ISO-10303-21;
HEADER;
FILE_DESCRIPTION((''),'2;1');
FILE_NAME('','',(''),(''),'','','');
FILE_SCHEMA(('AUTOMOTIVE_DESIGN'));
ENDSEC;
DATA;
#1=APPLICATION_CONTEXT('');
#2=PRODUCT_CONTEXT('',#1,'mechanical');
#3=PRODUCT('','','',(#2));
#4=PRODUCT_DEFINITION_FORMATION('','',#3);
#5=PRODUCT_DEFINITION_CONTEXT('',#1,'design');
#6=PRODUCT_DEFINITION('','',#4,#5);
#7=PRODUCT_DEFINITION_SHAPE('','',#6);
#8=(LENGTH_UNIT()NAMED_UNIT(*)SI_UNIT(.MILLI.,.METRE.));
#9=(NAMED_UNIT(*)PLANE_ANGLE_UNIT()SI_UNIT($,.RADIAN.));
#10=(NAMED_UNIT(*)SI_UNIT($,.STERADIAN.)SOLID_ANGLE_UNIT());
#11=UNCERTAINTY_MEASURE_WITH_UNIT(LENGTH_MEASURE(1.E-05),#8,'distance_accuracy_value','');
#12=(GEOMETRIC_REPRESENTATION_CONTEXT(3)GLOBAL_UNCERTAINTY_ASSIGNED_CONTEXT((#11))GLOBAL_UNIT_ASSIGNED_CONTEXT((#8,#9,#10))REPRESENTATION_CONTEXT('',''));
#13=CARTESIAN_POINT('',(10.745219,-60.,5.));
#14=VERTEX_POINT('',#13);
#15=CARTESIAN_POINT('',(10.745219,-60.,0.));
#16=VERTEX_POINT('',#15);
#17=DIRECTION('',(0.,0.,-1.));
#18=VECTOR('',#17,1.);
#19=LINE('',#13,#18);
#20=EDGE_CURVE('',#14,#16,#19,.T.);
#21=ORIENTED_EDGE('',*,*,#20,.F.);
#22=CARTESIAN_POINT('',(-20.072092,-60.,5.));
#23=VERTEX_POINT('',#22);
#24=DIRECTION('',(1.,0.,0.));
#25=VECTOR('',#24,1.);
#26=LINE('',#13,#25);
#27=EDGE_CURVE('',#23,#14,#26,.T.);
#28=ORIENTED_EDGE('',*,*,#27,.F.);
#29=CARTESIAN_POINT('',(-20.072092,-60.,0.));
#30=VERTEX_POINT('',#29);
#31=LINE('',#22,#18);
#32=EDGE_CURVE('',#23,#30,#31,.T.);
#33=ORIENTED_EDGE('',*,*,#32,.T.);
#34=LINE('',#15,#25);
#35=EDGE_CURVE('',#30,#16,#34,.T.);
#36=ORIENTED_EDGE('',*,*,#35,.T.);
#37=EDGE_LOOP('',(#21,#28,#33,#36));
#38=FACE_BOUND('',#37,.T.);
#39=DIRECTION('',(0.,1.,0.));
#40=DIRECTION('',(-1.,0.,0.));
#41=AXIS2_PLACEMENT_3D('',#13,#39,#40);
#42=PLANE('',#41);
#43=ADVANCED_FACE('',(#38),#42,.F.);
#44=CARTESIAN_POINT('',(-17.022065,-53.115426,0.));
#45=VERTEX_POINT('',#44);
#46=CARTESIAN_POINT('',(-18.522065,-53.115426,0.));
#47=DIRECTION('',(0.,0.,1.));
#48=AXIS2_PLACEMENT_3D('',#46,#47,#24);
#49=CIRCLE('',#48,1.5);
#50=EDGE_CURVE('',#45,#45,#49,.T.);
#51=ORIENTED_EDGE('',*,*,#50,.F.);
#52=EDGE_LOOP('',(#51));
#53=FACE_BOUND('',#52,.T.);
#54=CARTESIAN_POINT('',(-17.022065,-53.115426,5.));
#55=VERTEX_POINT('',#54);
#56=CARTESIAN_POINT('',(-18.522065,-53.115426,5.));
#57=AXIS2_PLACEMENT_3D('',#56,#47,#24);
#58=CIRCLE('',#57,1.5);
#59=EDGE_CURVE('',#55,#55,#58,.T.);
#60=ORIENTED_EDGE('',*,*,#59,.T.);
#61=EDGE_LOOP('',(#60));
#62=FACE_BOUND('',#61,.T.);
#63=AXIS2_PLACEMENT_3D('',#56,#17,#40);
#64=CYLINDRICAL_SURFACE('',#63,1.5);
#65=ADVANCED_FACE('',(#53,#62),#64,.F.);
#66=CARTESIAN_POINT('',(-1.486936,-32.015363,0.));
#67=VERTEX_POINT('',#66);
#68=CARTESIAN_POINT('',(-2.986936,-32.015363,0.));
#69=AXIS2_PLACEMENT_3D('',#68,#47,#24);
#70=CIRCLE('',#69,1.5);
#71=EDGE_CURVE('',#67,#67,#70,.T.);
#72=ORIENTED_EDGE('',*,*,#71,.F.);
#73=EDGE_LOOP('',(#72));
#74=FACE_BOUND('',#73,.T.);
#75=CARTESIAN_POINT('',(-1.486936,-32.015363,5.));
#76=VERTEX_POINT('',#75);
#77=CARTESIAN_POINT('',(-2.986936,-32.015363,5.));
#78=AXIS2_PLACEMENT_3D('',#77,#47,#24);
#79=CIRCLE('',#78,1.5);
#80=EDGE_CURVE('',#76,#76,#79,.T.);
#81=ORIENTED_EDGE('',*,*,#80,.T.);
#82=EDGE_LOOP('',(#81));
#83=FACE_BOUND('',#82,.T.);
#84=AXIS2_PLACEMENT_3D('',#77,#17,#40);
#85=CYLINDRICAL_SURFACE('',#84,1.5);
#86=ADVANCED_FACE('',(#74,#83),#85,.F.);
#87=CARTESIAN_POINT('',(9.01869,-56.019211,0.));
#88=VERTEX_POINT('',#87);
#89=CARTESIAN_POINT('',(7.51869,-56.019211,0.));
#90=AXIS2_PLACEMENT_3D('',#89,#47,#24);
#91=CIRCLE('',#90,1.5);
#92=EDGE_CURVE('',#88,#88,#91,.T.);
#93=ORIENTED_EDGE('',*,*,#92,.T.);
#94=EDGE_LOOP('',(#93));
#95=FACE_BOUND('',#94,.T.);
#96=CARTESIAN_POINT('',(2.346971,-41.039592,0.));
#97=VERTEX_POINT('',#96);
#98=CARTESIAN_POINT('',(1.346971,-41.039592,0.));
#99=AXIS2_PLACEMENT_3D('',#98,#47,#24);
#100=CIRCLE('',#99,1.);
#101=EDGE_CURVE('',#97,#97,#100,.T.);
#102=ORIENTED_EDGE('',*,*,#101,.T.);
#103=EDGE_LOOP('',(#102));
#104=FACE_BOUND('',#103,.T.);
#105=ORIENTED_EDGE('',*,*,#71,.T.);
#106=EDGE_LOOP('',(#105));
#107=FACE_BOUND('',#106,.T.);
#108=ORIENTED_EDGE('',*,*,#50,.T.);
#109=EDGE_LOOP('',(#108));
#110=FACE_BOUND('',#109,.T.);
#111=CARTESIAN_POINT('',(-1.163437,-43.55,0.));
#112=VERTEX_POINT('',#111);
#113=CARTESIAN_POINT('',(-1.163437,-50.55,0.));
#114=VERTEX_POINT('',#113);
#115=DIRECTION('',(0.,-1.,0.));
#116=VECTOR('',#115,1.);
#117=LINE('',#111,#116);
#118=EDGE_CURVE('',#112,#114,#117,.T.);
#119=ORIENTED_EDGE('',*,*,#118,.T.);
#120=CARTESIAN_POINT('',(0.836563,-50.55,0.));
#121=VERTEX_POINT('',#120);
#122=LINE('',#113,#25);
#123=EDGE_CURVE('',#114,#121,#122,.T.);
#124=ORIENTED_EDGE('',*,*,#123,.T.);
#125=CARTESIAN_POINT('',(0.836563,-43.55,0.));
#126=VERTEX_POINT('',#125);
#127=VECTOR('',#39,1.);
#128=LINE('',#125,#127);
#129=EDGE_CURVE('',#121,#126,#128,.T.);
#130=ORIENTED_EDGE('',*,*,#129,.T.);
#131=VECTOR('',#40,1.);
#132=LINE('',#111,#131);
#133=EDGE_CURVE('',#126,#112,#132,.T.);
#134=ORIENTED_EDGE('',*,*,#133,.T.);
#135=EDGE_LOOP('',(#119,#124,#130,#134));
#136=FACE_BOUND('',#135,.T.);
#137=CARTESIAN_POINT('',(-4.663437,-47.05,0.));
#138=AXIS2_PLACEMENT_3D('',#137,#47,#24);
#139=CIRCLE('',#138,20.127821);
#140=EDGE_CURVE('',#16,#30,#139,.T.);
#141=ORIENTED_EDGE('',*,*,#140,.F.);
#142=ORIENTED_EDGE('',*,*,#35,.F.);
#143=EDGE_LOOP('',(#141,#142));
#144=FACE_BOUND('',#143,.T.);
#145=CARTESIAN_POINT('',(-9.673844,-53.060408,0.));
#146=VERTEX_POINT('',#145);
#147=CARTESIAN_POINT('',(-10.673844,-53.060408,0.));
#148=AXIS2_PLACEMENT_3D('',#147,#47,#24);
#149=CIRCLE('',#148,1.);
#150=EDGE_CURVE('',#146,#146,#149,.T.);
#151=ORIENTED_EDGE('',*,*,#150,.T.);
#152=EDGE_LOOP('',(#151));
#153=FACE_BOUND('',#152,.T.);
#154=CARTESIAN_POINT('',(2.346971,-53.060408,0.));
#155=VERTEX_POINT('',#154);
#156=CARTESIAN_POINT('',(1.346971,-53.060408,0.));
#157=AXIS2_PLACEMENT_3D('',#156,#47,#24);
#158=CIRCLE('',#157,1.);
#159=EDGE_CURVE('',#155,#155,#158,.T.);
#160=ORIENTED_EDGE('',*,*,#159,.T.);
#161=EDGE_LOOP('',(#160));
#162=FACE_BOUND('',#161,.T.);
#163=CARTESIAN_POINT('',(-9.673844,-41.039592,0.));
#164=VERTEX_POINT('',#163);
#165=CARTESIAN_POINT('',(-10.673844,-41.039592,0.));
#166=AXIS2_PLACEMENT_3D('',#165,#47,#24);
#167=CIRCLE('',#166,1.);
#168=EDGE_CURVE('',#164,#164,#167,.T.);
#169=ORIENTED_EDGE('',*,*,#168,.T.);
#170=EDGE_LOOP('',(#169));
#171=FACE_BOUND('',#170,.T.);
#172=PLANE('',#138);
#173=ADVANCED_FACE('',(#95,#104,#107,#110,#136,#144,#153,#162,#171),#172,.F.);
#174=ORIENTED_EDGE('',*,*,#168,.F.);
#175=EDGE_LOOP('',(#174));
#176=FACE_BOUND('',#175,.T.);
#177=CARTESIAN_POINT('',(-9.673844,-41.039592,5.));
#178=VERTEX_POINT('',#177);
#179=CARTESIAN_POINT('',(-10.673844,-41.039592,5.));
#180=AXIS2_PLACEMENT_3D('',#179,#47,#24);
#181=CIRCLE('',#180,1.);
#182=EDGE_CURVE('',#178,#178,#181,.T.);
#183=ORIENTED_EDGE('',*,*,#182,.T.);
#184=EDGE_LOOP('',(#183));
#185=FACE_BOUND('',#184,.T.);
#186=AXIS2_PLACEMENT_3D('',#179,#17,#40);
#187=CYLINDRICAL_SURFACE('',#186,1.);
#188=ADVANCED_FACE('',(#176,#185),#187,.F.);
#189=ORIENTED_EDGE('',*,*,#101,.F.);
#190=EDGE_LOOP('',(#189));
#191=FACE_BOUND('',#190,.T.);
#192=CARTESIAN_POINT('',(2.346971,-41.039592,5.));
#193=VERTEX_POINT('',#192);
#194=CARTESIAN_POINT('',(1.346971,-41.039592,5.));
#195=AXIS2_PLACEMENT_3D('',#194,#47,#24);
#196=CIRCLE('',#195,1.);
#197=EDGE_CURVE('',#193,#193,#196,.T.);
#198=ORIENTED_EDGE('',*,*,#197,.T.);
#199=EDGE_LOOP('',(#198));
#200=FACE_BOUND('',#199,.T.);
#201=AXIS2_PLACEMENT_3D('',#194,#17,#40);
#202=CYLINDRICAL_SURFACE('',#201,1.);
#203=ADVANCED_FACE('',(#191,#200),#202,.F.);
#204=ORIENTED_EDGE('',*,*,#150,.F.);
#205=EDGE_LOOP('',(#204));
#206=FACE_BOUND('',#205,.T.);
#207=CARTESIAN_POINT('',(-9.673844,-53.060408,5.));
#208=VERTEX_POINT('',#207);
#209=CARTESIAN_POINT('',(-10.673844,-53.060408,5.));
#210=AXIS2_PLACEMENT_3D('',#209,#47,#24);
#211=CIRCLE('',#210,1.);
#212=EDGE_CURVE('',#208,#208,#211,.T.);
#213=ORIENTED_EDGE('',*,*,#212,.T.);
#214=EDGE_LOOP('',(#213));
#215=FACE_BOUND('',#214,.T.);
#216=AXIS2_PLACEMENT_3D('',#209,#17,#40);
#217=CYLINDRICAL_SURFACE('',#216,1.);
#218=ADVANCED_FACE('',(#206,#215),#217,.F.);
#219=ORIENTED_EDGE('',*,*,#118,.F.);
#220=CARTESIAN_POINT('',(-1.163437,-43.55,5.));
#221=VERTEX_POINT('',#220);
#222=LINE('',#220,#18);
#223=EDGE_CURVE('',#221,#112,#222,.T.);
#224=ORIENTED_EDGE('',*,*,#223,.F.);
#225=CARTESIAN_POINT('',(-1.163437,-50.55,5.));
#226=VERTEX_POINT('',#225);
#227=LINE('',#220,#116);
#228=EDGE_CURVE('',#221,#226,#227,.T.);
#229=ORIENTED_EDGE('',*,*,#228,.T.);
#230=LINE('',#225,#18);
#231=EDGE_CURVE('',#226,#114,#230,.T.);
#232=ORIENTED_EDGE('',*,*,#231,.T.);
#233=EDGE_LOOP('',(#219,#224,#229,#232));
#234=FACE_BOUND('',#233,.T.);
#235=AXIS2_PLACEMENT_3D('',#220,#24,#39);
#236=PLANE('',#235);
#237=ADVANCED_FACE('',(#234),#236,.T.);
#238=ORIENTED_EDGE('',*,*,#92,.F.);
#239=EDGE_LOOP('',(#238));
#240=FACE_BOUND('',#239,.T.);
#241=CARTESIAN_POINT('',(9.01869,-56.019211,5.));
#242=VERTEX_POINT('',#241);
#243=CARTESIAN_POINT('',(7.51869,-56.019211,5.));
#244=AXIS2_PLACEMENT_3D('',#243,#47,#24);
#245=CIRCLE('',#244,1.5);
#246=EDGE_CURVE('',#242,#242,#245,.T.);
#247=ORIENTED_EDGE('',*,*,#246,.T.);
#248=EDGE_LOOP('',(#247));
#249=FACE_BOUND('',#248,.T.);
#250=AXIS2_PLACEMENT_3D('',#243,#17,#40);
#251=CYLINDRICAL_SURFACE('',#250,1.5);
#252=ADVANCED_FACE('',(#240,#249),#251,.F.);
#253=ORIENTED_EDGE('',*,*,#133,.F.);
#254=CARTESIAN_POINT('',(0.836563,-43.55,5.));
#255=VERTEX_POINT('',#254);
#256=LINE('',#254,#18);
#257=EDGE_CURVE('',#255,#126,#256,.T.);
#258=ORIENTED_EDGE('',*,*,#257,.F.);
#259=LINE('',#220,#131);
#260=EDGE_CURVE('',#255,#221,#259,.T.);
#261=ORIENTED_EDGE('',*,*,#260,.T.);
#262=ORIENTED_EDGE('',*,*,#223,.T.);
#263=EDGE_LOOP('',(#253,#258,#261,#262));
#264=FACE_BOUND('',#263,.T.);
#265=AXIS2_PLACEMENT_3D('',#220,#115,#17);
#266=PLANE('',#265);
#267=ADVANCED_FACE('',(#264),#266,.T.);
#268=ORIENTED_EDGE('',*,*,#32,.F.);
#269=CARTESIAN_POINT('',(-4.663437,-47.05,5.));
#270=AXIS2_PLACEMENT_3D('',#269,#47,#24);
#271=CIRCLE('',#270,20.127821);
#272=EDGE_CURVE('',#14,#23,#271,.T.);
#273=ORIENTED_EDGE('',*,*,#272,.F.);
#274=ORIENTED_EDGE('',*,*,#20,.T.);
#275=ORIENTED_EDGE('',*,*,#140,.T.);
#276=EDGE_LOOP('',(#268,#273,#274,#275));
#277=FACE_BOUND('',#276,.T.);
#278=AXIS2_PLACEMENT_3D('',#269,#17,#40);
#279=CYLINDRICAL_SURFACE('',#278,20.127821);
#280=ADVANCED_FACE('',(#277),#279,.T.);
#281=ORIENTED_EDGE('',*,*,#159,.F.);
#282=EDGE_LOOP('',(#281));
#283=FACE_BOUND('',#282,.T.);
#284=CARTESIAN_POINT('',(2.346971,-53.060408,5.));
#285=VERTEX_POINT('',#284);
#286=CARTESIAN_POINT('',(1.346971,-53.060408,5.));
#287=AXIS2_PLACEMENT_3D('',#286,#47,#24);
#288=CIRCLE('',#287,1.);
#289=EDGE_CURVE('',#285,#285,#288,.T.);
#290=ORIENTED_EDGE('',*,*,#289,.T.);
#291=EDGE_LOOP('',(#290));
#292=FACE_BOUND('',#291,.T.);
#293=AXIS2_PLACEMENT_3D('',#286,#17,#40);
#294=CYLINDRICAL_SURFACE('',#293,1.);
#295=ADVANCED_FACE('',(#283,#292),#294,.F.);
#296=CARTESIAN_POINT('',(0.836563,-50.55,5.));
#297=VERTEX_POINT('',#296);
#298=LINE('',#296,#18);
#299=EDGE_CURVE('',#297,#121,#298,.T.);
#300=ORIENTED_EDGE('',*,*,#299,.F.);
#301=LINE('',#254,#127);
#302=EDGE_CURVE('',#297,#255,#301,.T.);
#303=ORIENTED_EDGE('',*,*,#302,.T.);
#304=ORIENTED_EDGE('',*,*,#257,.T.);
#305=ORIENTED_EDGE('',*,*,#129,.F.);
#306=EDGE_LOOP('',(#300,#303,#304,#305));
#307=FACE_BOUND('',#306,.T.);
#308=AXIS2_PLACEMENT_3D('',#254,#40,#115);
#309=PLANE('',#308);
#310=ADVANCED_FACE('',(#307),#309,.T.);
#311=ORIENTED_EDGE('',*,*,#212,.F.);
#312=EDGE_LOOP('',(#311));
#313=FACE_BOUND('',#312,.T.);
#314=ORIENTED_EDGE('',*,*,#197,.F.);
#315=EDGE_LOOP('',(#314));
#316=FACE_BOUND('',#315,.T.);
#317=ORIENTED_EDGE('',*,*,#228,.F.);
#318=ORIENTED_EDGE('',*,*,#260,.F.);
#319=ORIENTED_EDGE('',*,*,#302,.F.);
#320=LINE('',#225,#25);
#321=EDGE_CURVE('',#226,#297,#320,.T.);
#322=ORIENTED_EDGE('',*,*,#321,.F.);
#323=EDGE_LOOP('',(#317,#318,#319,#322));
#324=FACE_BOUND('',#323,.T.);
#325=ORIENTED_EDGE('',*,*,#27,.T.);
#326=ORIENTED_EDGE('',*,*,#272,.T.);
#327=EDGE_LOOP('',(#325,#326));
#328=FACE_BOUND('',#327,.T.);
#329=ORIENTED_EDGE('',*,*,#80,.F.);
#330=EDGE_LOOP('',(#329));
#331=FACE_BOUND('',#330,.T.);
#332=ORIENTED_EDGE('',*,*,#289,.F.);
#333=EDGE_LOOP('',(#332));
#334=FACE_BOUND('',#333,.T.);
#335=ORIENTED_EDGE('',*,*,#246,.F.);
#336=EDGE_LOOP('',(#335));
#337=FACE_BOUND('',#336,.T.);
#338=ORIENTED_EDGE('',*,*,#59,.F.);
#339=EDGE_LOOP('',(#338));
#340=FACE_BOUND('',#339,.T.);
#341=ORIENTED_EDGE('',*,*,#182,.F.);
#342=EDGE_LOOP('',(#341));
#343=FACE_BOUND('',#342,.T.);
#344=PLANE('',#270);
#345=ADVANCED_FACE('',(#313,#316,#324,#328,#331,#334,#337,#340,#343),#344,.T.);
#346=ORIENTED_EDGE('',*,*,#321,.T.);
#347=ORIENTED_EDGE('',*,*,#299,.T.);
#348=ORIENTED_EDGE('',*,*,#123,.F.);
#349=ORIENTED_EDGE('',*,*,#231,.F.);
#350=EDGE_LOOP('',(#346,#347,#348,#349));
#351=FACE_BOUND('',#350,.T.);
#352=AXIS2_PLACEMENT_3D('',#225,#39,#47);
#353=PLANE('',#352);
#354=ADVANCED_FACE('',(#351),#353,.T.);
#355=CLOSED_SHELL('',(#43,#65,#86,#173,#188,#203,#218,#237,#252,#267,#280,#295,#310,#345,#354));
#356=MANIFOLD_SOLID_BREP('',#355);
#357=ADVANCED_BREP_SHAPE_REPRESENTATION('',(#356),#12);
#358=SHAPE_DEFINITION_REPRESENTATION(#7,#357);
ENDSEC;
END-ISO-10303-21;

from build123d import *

# Parameters (mm, degrees)
SKETCH1_R           = 1.5
SKETCH1_R_2         = 1
SKETCH1_W           = 2
SKETCH1_H           = 7
BOSS_EXTRUDE1_DEPTH = 5


with BuildPart() as part:
    # Sketch1 → Boss-Extrude1 (new body)
    with BuildSketch(Plane.XY):
        with BuildLine():
            Line((10.74521866, -60), (-20.072092256, -60))
            ThreePointArc((-20.072092256, -60), (-4.663436798, -26.922179377), (10.74521866, -60))
        make_face()
        with Locations((7.518690065, -56.019210774)):
            Circle(SKETCH1_R, mode=Mode.SUBTRACT)
        with Locations((-18.522064611, -53.115425948)):
            Circle(SKETCH1_R, mode=Mode.SUBTRACT)
        with Locations((-2.986935847, -32.015363278)):
            Circle(SKETCH1_R, mode=Mode.SUBTRACT)
        with Locations((1.346970842, -41.03959236)):
            Circle(SKETCH1_R_2, mode=Mode.SUBTRACT)
        with Locations((1.346970842, -53.06040764)):
            Circle(SKETCH1_R_2, mode=Mode.SUBTRACT)
        with Locations((-10.673844438, -53.06040764)):
            Circle(SKETCH1_R_2, mode=Mode.SUBTRACT)
        with Locations((-10.673844438, -41.03959236)):
            Circle(SKETCH1_R_2, mode=Mode.SUBTRACT)
        with Locations((-0.163436798, -47.05)):
            Rectangle(SKETCH1_W, SKETCH1_H, mode=Mode.SUBTRACT)
    extrude(amount=BOSS_EXTRUDE1_DEPTH)


solid = part.part
